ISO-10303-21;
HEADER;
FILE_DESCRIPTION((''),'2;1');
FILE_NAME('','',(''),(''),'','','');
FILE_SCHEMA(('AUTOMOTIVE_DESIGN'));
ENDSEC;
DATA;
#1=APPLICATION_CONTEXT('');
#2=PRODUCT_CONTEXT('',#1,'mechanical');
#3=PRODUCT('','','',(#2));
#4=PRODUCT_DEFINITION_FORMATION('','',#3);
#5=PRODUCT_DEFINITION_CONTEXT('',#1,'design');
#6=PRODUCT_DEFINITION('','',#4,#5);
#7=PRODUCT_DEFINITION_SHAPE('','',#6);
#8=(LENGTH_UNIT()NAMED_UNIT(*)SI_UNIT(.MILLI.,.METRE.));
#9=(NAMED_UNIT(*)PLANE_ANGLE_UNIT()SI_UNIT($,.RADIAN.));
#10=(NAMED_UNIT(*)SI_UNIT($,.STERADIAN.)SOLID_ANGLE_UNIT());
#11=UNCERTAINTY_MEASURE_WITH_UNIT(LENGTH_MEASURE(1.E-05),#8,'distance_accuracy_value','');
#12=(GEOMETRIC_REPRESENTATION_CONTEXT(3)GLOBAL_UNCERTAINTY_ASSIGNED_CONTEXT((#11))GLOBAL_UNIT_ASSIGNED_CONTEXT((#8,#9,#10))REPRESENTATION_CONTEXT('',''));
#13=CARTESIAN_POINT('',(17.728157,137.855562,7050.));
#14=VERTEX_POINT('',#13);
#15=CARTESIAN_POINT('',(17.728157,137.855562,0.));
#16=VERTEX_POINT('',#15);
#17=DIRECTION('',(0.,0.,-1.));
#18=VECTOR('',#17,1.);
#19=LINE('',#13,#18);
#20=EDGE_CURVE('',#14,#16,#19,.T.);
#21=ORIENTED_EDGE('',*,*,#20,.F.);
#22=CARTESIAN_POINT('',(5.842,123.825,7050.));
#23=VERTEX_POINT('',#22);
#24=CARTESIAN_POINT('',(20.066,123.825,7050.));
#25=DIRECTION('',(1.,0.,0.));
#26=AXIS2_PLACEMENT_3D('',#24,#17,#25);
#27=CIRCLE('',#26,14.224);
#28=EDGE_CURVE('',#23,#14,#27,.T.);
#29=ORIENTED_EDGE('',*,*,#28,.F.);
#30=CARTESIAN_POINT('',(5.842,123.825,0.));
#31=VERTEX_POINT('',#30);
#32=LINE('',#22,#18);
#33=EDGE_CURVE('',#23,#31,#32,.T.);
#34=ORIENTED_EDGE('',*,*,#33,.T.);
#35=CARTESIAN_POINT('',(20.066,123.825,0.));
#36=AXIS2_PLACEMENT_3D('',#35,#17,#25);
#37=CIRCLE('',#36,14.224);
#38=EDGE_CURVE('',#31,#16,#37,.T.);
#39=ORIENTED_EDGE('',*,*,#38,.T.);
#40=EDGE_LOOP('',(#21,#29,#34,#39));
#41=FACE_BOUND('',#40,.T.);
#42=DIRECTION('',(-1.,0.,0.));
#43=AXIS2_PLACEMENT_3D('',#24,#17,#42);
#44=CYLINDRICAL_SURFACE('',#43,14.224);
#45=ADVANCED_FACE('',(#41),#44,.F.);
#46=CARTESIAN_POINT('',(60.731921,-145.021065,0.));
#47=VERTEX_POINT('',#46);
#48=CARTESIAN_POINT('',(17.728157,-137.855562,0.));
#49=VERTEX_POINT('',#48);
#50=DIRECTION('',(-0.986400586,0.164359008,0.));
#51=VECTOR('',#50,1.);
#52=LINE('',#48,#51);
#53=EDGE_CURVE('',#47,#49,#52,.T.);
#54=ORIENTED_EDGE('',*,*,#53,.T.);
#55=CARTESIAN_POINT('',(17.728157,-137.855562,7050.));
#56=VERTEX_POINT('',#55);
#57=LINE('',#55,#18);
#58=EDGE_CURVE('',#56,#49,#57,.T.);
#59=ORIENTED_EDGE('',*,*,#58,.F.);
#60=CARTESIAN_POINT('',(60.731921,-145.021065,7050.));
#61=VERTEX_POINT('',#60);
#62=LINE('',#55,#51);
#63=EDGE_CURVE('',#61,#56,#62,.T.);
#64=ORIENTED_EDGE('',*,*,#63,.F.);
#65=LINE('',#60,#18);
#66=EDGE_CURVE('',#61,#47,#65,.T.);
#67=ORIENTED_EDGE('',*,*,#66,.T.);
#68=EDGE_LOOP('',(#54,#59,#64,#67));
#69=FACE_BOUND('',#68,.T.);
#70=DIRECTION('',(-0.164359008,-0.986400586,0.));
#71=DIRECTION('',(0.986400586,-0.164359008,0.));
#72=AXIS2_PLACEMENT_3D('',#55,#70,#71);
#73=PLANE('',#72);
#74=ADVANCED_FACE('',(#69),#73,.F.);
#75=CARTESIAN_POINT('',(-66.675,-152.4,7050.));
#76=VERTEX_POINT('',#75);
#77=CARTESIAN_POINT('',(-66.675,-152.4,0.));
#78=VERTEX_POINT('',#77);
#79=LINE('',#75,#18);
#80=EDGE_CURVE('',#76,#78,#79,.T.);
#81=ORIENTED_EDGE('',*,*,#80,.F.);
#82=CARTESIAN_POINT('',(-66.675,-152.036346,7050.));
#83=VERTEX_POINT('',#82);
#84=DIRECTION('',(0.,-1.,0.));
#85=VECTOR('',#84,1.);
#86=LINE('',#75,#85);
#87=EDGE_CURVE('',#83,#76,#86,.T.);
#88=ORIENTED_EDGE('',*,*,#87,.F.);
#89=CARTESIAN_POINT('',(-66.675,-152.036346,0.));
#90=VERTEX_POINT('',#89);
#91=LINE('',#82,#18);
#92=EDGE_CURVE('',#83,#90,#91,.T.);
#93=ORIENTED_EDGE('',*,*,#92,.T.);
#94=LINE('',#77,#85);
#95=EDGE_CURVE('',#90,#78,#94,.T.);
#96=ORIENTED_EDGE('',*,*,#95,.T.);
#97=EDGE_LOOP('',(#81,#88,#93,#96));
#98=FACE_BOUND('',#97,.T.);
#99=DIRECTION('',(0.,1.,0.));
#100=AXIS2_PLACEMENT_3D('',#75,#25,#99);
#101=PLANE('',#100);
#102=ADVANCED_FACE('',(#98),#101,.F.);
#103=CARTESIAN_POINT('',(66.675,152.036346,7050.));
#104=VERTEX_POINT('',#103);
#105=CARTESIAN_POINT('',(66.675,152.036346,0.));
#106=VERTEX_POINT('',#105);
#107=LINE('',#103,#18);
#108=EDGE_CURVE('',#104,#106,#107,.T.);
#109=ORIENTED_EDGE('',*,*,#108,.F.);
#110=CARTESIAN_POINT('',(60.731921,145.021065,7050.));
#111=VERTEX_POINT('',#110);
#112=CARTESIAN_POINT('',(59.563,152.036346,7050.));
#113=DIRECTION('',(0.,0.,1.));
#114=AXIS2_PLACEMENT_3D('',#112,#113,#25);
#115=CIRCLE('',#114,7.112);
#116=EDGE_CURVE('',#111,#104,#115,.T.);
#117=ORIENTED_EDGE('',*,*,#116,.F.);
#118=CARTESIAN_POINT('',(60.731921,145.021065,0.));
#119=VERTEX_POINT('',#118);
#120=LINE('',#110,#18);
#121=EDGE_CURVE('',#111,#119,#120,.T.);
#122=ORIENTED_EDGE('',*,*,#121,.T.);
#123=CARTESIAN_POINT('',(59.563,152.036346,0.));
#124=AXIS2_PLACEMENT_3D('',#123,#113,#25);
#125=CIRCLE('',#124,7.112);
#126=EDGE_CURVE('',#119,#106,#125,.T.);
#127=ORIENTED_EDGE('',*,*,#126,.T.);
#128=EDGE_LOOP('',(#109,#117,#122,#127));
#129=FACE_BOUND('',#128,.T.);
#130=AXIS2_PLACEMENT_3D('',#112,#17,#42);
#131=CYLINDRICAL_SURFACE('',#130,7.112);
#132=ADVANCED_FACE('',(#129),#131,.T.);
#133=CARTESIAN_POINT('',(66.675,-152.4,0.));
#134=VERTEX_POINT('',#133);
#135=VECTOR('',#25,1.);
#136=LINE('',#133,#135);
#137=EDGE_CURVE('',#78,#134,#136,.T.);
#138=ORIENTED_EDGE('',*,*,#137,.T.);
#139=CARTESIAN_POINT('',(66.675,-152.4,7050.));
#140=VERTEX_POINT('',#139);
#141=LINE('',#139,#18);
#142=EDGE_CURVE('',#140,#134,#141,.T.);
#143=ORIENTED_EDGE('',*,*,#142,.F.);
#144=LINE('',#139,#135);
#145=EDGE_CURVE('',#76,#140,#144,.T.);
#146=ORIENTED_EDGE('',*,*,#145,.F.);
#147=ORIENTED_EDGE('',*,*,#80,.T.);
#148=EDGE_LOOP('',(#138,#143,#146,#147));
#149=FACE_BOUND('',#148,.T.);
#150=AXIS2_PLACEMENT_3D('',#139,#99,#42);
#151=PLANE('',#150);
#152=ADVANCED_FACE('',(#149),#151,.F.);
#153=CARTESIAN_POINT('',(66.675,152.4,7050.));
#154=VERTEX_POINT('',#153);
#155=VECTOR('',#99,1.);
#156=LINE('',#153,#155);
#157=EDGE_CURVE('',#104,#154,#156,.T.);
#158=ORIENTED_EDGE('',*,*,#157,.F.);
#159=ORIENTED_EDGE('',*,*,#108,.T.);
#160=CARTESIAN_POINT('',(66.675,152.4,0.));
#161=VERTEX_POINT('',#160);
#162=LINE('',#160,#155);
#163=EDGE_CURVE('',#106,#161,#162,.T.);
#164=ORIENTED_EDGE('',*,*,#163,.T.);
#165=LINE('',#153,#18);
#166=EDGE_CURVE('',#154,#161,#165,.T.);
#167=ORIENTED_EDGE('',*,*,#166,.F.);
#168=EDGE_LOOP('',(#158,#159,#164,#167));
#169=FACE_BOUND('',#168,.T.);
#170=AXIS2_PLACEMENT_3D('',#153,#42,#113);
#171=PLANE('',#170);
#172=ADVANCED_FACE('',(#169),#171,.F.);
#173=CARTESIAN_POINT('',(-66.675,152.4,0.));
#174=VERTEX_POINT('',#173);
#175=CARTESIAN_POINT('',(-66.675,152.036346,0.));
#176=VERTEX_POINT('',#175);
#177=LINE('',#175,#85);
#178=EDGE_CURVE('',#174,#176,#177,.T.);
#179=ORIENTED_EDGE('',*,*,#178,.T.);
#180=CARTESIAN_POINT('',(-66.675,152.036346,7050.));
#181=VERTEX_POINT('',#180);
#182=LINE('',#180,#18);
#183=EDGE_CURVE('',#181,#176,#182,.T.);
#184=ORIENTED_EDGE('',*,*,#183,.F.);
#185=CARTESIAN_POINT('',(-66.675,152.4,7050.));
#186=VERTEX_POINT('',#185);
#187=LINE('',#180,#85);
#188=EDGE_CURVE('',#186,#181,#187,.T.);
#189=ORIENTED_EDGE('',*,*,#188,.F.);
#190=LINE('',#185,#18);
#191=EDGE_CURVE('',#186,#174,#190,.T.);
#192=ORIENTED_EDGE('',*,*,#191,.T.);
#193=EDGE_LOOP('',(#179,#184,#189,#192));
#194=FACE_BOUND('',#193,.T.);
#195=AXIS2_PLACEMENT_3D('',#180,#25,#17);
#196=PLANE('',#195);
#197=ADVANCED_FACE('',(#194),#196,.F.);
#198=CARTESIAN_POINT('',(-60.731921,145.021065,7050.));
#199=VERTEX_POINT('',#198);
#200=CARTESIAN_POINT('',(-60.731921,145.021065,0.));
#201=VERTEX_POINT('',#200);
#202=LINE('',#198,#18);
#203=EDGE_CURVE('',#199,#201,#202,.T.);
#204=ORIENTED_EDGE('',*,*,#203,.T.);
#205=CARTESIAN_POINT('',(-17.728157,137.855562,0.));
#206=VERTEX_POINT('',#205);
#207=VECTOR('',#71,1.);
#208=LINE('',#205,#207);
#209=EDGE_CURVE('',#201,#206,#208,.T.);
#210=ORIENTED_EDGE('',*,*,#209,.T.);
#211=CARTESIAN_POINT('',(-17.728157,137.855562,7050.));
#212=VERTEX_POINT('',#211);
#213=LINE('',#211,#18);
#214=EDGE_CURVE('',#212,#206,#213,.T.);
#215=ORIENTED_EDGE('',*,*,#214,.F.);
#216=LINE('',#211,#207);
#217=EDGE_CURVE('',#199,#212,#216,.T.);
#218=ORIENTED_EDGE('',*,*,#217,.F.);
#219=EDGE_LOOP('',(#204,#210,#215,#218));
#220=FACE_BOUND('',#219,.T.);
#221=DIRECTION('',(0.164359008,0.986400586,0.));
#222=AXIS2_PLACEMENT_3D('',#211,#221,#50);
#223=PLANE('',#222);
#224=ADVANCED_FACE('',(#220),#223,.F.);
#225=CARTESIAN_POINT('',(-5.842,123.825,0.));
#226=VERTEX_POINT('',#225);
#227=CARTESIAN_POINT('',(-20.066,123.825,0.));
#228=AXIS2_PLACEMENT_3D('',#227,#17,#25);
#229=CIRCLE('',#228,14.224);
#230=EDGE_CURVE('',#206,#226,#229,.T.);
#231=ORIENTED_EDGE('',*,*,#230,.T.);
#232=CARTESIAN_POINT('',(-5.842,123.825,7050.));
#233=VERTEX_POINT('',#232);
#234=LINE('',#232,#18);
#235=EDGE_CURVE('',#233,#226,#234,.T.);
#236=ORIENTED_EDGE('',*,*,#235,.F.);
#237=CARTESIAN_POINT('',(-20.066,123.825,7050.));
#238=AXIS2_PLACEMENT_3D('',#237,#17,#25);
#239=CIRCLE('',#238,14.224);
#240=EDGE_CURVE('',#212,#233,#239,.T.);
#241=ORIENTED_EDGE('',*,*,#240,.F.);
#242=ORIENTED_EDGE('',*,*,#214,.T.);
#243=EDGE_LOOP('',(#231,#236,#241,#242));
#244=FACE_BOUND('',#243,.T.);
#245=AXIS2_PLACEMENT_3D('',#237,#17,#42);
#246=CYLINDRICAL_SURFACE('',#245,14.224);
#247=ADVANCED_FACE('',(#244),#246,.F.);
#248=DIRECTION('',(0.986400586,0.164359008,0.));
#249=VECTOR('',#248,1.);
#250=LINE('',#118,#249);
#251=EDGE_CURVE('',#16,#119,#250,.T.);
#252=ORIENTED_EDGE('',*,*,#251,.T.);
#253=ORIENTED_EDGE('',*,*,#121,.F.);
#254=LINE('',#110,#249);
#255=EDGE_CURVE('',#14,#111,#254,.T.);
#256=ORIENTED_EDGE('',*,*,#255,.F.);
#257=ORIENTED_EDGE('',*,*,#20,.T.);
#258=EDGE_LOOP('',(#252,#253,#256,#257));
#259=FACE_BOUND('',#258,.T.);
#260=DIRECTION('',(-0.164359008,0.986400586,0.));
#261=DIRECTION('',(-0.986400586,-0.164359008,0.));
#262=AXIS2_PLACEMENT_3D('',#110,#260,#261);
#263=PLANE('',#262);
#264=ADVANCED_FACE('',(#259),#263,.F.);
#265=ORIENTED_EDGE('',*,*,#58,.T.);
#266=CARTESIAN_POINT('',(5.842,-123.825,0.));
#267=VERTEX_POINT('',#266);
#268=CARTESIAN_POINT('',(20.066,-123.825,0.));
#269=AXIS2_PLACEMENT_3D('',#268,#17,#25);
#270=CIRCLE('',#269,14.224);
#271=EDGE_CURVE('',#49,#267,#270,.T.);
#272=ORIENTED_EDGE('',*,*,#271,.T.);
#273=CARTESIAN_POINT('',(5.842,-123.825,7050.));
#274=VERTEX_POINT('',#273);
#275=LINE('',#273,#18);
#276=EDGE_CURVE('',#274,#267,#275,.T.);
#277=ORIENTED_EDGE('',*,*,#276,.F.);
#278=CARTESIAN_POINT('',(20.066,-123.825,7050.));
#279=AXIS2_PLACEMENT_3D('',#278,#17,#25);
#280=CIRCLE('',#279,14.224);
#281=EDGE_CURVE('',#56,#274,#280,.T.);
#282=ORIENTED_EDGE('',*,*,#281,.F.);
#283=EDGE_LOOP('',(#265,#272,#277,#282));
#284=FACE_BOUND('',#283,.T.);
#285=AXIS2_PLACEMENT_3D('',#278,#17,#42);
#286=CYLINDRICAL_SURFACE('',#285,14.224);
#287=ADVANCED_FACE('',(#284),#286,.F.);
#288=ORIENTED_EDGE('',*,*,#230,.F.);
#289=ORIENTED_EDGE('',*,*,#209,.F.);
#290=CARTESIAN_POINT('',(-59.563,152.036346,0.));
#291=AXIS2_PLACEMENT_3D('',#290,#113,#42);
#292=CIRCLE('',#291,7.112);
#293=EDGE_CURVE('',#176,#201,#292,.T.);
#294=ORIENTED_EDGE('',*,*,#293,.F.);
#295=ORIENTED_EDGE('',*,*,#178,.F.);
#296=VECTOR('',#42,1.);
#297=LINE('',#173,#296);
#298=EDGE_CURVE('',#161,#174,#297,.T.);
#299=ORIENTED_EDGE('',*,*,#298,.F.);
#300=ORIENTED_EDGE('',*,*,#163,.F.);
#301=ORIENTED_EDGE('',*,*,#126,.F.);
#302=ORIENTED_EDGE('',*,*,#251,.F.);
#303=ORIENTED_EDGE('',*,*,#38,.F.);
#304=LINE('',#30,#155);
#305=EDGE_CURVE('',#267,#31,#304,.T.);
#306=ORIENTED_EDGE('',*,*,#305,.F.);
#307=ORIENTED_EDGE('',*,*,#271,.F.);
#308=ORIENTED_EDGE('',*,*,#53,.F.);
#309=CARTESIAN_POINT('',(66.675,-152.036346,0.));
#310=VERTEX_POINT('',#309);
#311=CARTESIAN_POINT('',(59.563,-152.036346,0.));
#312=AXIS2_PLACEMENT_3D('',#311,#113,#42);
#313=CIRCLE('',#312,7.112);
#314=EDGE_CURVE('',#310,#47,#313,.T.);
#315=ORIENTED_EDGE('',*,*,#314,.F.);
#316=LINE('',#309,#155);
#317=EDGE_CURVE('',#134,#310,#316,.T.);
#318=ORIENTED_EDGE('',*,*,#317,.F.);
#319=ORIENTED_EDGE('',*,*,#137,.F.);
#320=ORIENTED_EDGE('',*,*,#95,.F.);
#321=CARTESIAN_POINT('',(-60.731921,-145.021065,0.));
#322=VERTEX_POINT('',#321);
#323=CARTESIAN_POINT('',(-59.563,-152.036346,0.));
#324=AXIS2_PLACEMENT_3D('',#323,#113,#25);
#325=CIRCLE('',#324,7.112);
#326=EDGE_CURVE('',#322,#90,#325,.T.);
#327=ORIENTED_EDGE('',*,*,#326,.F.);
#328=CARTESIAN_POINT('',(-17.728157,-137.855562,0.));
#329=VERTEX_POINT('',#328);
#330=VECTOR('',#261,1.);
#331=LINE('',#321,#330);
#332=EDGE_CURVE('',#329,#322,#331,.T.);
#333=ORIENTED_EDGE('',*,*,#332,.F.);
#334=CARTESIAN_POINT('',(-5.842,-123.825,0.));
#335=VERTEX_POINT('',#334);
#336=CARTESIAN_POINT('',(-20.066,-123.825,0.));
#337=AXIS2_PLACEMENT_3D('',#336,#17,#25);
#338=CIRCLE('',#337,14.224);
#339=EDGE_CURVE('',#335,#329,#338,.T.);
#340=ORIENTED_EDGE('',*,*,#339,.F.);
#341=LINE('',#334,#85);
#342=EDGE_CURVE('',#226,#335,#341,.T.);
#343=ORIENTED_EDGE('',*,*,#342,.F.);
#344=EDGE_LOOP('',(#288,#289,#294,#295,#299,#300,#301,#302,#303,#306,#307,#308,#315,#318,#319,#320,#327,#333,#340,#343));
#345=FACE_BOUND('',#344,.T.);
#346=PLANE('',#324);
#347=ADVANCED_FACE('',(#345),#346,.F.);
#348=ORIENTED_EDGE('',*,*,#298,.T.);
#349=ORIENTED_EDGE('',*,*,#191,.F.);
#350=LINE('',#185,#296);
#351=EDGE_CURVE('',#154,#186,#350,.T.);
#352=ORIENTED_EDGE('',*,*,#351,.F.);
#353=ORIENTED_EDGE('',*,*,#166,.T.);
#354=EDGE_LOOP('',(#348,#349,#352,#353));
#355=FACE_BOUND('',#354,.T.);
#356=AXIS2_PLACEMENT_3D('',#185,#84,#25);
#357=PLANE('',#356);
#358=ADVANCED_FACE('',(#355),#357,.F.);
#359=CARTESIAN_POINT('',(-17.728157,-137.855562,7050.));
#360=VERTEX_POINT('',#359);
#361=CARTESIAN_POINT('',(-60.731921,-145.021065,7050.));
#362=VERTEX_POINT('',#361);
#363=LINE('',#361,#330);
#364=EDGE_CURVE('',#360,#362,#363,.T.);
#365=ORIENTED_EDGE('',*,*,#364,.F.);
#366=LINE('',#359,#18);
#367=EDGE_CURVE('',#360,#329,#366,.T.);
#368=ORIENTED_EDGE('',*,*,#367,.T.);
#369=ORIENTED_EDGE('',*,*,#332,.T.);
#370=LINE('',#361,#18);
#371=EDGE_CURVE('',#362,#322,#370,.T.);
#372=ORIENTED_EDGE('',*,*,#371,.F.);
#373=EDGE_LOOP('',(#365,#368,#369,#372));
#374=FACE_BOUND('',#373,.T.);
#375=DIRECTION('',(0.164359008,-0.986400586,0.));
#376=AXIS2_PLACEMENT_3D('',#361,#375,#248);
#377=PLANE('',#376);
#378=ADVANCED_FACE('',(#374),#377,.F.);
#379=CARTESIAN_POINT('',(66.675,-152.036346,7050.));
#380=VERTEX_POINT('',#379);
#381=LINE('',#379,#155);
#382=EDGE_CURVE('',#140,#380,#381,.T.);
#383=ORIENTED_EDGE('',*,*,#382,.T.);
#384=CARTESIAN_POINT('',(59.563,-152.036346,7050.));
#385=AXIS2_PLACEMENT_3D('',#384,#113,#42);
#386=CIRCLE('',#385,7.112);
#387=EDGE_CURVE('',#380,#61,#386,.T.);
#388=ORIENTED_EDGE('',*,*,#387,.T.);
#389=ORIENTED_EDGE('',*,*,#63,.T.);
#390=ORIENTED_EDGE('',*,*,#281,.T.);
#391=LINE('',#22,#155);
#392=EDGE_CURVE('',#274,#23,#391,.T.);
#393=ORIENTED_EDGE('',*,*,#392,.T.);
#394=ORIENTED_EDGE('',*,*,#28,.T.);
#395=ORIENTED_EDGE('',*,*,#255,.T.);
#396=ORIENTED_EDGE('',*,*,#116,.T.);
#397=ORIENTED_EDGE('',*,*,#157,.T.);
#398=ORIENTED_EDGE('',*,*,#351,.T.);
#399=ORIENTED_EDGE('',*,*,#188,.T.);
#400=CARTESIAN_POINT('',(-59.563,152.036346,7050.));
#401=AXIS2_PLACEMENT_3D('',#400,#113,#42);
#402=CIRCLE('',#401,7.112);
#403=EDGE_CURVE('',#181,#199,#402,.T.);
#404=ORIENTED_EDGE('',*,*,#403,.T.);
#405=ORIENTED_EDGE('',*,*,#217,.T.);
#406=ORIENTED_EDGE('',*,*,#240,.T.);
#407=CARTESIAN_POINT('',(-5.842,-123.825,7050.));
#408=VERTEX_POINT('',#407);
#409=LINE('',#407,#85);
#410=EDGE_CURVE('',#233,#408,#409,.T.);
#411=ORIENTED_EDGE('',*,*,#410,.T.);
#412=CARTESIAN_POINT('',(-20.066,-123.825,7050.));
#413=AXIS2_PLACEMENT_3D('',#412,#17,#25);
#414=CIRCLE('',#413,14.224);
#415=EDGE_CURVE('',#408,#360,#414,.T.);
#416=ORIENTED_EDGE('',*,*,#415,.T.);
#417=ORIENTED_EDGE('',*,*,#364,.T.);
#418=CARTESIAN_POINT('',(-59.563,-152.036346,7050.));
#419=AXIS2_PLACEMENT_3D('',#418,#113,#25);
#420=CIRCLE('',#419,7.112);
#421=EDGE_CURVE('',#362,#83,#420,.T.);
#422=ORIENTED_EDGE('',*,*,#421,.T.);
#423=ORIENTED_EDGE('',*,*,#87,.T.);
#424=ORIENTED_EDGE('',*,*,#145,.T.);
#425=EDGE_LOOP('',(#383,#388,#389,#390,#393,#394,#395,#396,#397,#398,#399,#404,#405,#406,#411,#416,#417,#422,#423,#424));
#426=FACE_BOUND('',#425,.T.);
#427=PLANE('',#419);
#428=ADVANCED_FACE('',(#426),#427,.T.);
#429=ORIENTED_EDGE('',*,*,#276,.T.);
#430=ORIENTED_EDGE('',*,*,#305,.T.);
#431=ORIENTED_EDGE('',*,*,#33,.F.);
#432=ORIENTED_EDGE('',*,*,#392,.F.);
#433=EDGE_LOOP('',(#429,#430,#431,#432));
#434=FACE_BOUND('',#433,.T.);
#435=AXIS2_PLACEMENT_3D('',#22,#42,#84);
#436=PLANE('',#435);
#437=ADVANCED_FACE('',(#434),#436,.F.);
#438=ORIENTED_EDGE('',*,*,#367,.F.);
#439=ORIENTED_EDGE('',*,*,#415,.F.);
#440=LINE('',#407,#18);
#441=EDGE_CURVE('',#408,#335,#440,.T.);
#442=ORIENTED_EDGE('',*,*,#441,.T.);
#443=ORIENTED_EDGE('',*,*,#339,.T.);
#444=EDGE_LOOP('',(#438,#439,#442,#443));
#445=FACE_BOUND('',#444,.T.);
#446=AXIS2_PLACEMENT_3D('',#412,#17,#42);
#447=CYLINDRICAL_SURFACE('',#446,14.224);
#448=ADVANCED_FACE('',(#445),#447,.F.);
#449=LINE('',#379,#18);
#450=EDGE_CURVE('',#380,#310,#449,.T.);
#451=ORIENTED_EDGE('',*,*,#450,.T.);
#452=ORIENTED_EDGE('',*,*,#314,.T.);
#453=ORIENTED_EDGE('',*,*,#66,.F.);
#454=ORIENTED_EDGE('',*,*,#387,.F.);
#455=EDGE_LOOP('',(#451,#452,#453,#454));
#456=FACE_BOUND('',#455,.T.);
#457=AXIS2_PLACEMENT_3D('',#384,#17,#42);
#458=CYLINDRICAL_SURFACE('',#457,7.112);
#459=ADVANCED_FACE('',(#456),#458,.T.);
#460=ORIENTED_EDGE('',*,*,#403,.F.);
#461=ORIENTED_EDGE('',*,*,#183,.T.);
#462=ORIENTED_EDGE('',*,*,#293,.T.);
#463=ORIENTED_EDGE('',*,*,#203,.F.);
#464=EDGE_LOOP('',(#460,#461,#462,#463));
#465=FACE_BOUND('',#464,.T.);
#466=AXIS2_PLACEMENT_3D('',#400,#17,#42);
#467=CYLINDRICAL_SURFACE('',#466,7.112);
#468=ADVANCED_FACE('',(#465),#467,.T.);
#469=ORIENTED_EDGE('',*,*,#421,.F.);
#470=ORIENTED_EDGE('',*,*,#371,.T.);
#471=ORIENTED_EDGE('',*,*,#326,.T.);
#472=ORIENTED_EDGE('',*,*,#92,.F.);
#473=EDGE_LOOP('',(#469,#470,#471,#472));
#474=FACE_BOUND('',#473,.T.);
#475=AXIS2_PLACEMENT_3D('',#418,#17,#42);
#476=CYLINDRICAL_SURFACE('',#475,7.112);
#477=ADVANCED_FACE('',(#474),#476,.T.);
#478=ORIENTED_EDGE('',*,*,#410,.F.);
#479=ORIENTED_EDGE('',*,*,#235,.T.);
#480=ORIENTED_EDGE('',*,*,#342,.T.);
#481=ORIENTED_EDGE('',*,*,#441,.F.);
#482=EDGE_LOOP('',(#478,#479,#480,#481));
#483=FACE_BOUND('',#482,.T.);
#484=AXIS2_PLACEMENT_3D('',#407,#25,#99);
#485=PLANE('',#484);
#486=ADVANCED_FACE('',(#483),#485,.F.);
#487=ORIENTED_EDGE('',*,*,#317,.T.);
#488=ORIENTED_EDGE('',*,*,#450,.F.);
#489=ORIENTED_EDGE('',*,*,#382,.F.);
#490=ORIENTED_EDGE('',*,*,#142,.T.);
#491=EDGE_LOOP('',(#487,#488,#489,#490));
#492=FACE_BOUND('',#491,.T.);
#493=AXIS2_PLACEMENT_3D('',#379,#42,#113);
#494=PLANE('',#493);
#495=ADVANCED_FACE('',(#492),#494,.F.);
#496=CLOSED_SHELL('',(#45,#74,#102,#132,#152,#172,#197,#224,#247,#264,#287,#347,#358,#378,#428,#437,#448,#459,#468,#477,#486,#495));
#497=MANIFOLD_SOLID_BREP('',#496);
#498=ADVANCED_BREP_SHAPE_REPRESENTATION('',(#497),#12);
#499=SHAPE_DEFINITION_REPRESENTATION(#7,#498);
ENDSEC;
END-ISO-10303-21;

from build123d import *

# Parameters (mm, degrees)
EXTRUDE1_DEPTH = 7050


with BuildPart() as part:
    # Sketch1 → Extrude1 (new body)
    with BuildSketch(Plane.XY):
        with BuildLine():
            Line((-66.675, -152.4), (-66.675, -152.03634552))
            ThreePointArc((-66.675, -152.03634552), (-64.989504955, -147.439217289), (-60.731921268, -145.021064551))
            Line((-60.731921268, -145.021064551), (-17.728157464, -137.855561937))
            ThreePointArc((-17.728157464, -137.855561937), (-9.212990089, -133.019256462), (-5.842, -123.825))
            Line((-5.842, -123.825), (-5.842, 123.825))
            ThreePointArc((-5.842, 123.825), (-9.212990089, 133.019256462), (-17.728157464, 137.855561937))
            Line((-17.728157464, 137.855561937), (-60.731921268, 145.021064551))
            ThreePointArc((-60.731921268, 145.021064551), (-64.989504955, 147.439217289), (-66.675, 152.03634552))
            Line((-66.675, 152.03634552), (-66.675, 152.4))
            Line((-66.675, 152.4), (66.675, 152.4))
            Line((66.675, 152.4), (66.675, 152.03634552))
            ThreePointArc((66.675, 152.03634552), (64.989504955, 147.439217289), (60.731921268, 145.021064551))
            Line((60.731921268, 145.021064551), (17.728157464, 137.855561937))
            ThreePointArc((17.728157464, 137.855561937), (9.212990089, 133.019256462), (5.842, 123.825))
            Line((5.842, 123.825), (5.842, -123.825))
            ThreePointArc((5.842, -123.825), (9.212990089, -133.019256462), (17.728157464, -137.855561937))
            Line((17.728157464, -137.855561937), (60.731921268, -145.021064551))
            ThreePointArc((60.731921268, -145.021064551), (64.989504955, -147.439217289), (66.675, -152.03634552))
            Line((66.675, -152.03634552), (66.675, -152.4))
            Line((66.675, -152.4), (-66.675, -152.4))
        make_face()
    extrude(amount=EXTRUDE1_DEPTH)


solid = part.part
